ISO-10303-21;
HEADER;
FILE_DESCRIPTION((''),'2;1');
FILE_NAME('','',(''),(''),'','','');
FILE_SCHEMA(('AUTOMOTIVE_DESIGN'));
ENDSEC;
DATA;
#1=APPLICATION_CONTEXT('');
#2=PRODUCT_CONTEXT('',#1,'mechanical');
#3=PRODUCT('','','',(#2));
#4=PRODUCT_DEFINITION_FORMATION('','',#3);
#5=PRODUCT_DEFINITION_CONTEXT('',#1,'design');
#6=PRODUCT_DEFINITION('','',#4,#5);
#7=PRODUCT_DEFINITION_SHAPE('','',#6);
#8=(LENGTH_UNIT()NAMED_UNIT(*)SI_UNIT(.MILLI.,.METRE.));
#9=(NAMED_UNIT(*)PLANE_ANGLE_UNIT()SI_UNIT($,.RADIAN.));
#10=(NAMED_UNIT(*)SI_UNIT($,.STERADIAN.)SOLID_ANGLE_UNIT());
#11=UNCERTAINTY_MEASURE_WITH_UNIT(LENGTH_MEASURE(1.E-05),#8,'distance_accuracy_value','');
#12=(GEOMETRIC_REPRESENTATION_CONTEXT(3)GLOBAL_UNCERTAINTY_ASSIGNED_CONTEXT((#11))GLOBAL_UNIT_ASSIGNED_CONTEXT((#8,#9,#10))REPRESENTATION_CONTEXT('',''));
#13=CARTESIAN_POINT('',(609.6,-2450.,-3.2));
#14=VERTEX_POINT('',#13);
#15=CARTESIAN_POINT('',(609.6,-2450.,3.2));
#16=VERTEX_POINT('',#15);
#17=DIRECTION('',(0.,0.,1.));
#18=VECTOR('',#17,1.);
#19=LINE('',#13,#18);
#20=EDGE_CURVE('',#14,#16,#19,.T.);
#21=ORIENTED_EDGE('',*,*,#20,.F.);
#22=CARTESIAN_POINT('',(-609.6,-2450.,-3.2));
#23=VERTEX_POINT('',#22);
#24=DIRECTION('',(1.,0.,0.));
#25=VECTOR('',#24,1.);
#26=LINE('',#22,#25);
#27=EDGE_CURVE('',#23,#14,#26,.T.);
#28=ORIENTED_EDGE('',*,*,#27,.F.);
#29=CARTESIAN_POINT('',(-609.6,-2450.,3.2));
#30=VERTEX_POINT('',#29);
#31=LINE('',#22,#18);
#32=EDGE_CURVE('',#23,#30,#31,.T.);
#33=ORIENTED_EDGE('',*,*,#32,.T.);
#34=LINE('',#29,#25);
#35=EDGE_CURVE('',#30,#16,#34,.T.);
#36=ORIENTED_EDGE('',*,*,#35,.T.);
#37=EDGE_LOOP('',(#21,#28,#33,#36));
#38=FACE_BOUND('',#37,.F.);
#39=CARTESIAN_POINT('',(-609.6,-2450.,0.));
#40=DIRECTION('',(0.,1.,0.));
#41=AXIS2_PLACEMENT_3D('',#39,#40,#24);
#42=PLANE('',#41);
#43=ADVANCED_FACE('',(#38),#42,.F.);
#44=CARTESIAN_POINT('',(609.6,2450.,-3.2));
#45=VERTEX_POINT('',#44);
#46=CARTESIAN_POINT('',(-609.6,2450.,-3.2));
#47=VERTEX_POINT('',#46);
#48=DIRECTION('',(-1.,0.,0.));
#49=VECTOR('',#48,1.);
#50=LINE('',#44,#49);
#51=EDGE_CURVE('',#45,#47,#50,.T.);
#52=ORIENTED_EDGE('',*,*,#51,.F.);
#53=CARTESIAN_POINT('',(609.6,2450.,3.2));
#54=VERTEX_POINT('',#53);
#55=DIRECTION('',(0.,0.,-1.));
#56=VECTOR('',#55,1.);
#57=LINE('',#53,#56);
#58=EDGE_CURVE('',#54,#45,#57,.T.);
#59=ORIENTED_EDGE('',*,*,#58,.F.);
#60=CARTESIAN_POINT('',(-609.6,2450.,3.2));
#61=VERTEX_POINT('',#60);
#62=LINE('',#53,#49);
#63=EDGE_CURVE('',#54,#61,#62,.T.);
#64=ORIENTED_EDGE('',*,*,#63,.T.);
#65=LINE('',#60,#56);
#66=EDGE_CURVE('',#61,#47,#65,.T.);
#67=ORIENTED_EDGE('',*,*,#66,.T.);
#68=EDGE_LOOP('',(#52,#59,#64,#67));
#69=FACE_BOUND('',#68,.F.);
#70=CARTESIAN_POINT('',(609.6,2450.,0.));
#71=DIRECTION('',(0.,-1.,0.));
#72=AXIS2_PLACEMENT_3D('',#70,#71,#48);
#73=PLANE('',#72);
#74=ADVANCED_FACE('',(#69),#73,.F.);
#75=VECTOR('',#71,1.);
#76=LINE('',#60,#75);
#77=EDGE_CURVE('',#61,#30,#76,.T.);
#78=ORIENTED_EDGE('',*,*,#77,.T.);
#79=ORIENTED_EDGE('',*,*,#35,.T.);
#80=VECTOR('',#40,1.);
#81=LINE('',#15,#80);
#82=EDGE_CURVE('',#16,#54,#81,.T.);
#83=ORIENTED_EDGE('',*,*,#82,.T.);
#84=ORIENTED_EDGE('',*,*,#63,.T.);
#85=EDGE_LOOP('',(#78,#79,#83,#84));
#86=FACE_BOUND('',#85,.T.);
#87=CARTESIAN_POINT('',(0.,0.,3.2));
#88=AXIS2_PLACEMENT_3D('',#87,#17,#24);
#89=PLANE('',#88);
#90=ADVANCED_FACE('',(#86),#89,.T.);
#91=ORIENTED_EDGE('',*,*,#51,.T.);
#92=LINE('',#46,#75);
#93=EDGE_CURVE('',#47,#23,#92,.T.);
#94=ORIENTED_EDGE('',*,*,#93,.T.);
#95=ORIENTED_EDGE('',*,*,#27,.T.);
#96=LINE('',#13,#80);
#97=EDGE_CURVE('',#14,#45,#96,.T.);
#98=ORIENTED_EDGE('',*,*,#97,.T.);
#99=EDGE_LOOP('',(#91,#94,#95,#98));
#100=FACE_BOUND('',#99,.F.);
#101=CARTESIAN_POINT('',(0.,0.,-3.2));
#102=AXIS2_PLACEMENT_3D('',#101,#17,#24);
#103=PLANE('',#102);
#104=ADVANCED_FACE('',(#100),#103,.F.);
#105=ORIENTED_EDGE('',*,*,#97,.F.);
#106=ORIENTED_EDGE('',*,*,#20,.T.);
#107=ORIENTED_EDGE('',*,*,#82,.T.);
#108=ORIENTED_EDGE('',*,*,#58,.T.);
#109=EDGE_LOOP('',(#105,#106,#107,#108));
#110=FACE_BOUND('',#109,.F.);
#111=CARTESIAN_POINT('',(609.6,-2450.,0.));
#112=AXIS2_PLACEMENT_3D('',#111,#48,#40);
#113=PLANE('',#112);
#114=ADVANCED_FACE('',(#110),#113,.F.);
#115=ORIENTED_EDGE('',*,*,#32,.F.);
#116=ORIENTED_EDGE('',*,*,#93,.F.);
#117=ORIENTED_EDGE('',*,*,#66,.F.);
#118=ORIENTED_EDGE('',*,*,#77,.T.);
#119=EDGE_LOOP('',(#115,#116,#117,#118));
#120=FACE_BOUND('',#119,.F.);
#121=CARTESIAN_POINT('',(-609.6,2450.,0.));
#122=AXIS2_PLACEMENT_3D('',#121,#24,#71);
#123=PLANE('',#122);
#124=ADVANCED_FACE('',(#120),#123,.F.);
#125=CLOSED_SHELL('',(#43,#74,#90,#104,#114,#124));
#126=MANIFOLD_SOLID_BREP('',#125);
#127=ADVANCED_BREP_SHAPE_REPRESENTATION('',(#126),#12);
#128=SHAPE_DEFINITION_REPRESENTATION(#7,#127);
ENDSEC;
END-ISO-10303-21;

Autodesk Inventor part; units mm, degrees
ref_plane "YZ Plane" through (0, 0, 0) normal (1, 0, 0) x (0, 1, 0)
ref_plane "XZ Plane" through (0, 0, 0) normal (0, 1, 0) x (-1, 0, 0)
ref_plane "XY Plane" through (0, 0, 0) normal (0, 0, 1) x (1, 0, 0)
sketch "Sketch1" plane through (0, 0, 0) normal (0, 0, 1) x (1, 0, 0)
  line L0 (-609.6, -2450) -> (609.6, -2450)
  line L1 (609.6, -2450) -> (609.6, 2450)
  line L2 (609.6, 2450) -> (-609.6, 2450)
  line L3 (-609.6, 2450) -> (-609.6, -2450)
  line L4 (-609.6, -2450) -> (609.6, 2450) construction
  line L5 (609.6, -2450) -> (-609.6, 2450) construction
  point P0 (0, 0)
  dimension "d0" = 1219.2
  dimension "d1" = 4900
extrude "Extrusion1" add sketch "Sketch1" along normal mid plane 6.4
equation "\"d0\" = win_w"
equation "\"d1\" = win_h"
equation "\"d2\" = win_d"
equation "\"win_h\" = 4900"
equation "\"win_w\" = 1219.2"
equation "\"win_d\" = 6.4"
properties part number "Window" material "Polycarbonate, Clear"
